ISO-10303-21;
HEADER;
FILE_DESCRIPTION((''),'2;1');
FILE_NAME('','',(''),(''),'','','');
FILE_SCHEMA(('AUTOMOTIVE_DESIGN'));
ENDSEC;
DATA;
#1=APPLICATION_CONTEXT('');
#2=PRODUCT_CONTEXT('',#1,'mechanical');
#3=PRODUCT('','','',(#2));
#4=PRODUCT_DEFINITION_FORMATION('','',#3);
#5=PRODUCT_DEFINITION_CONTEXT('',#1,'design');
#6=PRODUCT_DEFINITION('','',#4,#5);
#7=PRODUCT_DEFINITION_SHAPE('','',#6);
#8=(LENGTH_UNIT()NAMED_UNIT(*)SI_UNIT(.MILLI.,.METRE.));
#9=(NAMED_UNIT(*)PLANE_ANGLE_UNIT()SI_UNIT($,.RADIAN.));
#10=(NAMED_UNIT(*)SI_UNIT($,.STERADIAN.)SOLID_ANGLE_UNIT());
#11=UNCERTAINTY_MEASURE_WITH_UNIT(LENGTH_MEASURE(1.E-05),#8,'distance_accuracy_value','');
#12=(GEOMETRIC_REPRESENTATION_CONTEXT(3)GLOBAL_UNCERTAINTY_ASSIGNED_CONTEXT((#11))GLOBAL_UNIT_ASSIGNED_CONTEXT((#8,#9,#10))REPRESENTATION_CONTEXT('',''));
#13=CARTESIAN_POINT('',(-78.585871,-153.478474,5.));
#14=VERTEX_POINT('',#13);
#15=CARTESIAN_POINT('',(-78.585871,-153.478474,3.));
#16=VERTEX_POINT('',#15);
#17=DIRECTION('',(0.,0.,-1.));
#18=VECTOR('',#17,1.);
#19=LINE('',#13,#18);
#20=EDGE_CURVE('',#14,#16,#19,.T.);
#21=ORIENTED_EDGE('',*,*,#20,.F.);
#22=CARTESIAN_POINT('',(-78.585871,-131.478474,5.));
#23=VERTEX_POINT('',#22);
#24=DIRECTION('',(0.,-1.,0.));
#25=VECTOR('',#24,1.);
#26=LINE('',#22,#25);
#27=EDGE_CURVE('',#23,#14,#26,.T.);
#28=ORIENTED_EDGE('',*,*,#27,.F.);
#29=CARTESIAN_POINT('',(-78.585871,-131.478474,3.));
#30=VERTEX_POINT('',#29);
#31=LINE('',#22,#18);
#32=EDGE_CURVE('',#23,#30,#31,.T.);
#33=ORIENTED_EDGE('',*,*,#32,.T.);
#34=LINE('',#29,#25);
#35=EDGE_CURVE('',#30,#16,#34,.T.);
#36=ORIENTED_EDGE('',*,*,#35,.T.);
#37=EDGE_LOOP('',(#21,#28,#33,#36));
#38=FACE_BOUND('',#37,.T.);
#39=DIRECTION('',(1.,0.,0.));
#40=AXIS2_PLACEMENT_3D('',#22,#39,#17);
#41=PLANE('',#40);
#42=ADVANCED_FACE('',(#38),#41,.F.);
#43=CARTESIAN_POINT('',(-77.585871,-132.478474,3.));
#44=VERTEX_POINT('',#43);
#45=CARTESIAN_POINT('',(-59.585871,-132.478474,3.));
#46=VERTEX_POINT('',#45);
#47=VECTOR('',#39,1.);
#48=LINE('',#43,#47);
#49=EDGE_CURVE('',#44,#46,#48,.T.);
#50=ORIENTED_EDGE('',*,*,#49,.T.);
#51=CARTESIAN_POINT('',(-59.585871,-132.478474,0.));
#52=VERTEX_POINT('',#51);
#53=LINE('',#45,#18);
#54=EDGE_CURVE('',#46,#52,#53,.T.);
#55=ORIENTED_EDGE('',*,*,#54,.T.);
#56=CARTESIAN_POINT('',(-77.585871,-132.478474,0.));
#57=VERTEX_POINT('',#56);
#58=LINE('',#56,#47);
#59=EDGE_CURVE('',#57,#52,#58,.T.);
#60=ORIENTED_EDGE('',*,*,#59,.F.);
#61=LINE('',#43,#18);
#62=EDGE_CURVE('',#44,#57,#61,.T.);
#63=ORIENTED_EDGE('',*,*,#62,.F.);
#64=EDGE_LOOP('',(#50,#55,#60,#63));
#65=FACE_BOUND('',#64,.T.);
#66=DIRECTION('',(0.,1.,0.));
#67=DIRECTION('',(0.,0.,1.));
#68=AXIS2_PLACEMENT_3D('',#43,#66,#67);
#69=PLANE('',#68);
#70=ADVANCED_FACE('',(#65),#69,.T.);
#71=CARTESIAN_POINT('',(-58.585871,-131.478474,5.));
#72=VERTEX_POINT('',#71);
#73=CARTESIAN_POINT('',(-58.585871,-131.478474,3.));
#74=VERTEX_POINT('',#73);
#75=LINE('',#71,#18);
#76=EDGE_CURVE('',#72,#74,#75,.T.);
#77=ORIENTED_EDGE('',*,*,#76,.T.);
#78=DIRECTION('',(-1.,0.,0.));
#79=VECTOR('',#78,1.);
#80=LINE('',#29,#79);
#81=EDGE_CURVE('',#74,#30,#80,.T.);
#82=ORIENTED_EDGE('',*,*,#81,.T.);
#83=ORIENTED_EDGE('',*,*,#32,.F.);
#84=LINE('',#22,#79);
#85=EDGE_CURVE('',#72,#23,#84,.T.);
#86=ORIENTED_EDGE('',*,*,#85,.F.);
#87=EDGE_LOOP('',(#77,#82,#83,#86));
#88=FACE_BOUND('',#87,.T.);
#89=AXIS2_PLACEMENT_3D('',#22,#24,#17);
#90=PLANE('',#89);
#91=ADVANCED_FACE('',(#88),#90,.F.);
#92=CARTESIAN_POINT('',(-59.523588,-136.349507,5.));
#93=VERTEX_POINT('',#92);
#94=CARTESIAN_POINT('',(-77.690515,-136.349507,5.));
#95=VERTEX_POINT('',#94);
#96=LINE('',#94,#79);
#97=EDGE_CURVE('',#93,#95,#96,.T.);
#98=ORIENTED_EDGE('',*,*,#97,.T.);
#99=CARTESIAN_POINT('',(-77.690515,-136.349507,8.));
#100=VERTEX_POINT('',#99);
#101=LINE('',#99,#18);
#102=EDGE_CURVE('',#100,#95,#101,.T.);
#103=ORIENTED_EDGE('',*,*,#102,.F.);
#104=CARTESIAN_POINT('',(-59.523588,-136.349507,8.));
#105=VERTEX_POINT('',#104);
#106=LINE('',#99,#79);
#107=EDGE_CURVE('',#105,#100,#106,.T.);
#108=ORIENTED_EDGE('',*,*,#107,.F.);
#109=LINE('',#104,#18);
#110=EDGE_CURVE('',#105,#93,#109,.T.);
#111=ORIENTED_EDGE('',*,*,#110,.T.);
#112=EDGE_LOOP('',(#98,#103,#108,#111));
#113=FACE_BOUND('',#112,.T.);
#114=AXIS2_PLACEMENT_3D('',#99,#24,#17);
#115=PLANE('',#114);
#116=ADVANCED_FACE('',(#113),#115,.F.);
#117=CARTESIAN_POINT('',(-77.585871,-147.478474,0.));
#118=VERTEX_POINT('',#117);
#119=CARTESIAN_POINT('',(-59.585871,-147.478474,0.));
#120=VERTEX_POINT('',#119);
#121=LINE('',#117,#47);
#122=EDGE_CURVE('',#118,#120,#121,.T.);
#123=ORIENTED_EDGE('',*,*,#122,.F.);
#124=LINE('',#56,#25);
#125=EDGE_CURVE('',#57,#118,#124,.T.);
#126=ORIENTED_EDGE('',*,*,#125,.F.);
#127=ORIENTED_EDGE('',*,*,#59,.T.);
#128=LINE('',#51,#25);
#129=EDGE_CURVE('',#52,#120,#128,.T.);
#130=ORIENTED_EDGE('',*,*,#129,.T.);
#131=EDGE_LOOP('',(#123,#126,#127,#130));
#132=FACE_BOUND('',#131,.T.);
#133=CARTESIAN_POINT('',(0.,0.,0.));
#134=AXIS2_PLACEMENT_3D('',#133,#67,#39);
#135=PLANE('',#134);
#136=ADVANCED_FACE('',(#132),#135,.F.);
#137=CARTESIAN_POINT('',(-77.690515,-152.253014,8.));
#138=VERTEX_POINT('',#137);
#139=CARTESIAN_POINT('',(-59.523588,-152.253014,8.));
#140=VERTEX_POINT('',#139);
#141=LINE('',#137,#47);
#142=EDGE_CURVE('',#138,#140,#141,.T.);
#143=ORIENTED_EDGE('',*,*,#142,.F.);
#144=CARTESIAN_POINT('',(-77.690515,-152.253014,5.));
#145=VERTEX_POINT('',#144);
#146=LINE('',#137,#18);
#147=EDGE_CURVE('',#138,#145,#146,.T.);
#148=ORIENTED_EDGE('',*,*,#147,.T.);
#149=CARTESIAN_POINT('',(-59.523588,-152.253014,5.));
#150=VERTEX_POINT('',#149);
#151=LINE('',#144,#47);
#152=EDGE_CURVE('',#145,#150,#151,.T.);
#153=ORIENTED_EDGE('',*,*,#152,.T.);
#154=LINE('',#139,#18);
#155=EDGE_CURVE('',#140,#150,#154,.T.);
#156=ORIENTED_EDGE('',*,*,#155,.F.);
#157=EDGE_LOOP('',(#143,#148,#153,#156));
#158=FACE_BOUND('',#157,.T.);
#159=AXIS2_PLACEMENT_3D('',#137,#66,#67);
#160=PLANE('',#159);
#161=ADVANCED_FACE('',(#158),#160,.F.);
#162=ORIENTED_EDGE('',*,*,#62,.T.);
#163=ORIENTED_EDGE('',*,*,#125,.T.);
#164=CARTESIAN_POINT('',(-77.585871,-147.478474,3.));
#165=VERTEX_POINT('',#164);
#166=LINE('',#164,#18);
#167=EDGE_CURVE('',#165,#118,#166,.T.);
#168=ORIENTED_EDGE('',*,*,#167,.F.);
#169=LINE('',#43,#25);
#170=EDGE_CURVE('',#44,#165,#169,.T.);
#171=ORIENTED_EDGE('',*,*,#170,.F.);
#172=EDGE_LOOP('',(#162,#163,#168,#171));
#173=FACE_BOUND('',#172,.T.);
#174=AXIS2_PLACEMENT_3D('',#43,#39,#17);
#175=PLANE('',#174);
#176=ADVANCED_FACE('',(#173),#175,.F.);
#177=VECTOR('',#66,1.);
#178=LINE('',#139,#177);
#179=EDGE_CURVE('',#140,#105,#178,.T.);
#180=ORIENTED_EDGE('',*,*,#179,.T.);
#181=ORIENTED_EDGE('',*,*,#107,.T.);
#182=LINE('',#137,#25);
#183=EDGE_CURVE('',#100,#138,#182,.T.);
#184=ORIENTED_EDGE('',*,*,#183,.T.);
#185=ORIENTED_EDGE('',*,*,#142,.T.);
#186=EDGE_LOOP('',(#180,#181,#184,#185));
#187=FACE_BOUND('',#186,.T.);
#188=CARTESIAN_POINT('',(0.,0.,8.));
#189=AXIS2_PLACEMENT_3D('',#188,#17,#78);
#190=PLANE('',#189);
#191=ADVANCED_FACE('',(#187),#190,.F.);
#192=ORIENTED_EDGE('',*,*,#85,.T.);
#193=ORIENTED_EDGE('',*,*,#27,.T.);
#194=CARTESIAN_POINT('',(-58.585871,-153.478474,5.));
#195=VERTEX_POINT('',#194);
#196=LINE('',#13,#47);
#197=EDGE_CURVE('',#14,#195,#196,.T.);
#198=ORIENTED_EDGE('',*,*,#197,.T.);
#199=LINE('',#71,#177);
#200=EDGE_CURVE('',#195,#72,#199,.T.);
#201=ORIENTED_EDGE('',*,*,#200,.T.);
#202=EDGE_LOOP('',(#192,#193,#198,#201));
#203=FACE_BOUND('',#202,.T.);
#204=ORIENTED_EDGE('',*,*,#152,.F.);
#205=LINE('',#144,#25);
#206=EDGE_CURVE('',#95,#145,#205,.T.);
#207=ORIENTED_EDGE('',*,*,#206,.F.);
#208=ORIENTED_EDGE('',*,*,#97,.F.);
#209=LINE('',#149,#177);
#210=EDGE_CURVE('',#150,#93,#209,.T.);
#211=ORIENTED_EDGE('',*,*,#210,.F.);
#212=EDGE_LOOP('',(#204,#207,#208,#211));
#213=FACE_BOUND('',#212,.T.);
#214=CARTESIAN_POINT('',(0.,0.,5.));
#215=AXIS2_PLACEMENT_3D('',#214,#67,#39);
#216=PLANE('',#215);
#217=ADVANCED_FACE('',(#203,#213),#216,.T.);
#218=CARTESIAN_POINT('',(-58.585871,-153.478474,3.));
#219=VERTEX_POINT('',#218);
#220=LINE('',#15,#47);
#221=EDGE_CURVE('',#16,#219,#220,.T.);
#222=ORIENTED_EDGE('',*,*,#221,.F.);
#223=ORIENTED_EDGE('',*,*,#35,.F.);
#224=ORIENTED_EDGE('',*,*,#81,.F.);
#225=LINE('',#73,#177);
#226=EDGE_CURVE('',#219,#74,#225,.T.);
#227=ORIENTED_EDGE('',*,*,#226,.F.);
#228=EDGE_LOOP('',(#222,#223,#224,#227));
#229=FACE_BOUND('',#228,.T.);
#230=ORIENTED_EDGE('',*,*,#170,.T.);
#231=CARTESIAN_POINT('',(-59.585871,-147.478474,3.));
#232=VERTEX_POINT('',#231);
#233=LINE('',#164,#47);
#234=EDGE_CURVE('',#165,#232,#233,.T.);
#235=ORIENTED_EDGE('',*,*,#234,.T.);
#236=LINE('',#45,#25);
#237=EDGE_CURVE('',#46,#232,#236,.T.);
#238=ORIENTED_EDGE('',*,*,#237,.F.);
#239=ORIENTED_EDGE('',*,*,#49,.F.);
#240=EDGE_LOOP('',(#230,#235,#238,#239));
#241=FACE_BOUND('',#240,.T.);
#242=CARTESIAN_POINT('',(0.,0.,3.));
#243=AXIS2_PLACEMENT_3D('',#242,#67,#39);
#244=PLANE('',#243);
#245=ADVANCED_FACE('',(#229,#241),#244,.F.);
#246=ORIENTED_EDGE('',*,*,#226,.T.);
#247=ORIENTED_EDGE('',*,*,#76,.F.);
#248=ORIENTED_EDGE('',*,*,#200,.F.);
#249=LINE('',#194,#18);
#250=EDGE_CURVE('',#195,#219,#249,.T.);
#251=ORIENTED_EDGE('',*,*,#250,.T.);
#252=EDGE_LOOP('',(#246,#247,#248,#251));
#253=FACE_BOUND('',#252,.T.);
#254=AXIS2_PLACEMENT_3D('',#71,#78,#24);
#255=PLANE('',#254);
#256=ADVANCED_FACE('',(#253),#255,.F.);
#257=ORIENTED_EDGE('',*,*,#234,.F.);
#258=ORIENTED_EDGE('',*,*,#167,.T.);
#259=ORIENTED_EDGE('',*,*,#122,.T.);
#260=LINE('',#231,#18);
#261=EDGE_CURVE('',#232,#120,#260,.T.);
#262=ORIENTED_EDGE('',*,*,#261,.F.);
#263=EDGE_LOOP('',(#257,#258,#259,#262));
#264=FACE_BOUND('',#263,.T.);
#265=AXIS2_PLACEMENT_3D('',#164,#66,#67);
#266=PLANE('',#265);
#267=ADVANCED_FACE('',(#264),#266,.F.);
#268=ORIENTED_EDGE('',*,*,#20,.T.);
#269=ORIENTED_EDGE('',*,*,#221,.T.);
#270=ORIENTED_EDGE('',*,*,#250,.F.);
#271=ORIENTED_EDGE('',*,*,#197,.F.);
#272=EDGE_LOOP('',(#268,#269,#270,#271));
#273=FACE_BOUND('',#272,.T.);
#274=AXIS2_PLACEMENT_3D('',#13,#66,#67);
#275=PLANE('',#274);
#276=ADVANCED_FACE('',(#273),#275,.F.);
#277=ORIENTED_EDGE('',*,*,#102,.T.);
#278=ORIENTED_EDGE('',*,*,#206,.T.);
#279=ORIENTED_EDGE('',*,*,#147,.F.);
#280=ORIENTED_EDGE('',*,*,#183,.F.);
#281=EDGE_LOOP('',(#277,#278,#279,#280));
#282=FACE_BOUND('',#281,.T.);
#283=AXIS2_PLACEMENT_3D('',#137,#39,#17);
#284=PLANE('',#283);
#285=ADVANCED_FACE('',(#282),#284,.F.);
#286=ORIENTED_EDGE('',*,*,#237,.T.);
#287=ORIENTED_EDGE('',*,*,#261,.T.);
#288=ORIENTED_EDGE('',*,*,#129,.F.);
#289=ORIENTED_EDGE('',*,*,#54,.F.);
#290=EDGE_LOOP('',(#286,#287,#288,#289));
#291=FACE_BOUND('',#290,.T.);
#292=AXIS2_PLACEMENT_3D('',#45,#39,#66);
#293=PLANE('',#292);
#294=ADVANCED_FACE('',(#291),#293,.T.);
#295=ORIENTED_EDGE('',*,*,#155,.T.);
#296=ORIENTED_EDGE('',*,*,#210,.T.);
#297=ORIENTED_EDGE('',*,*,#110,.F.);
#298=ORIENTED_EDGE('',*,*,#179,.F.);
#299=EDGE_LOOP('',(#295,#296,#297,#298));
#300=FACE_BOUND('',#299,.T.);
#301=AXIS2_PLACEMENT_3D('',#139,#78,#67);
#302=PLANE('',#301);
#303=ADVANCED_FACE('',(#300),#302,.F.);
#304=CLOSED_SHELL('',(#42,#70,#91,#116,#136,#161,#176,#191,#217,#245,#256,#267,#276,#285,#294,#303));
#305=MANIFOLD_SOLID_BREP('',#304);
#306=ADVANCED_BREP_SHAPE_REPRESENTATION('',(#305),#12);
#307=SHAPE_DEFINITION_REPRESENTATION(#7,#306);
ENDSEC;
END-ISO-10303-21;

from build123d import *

# Parameters (mm, degrees)
SKETCH1_W           = 18
SKETCH1_H           = 15
BOSS_EXTRUDE1_DEPTH = 3
SKETCH2_W           = 20
SKETCH2_H           = 22
BOSS_EXTRUDE2_DEPTH = 2
SKETCH3_W           = 18.166927201
SKETCH3_H           = 15.903506762
BOSS_EXTRUDE3_DEPTH = 3


with BuildPart() as part:
    # Sketch1 → Boss-Extrude1 (new body)
    with BuildSketch(Plane.XY):
        with Locations((-68.585871194, -139.978474406)):
            Rectangle(SKETCH1_W, SKETCH1_H)
    extrude(amount=BOSS_EXTRUDE1_DEPTH)

    # Sketch2 → Boss-Extrude2 (add)
    with BuildSketch(Plane.XY.offset(3)):
        with Locations((-68.585871194, -142.478474406)):
            Rectangle(SKETCH2_W, SKETCH2_H)
    extrude(amount=BOSS_EXTRUDE2_DEPTH)

    # Sketch3 → Boss-Extrude3 (add)
    with BuildSketch(Plane.XY.offset(5)):
        with Locations((-68.607051799, -144.301260384)):
            Rectangle(SKETCH3_W, SKETCH3_H)
    extrude(amount=BOSS_EXTRUDE3_DEPTH)


solid = part.part
